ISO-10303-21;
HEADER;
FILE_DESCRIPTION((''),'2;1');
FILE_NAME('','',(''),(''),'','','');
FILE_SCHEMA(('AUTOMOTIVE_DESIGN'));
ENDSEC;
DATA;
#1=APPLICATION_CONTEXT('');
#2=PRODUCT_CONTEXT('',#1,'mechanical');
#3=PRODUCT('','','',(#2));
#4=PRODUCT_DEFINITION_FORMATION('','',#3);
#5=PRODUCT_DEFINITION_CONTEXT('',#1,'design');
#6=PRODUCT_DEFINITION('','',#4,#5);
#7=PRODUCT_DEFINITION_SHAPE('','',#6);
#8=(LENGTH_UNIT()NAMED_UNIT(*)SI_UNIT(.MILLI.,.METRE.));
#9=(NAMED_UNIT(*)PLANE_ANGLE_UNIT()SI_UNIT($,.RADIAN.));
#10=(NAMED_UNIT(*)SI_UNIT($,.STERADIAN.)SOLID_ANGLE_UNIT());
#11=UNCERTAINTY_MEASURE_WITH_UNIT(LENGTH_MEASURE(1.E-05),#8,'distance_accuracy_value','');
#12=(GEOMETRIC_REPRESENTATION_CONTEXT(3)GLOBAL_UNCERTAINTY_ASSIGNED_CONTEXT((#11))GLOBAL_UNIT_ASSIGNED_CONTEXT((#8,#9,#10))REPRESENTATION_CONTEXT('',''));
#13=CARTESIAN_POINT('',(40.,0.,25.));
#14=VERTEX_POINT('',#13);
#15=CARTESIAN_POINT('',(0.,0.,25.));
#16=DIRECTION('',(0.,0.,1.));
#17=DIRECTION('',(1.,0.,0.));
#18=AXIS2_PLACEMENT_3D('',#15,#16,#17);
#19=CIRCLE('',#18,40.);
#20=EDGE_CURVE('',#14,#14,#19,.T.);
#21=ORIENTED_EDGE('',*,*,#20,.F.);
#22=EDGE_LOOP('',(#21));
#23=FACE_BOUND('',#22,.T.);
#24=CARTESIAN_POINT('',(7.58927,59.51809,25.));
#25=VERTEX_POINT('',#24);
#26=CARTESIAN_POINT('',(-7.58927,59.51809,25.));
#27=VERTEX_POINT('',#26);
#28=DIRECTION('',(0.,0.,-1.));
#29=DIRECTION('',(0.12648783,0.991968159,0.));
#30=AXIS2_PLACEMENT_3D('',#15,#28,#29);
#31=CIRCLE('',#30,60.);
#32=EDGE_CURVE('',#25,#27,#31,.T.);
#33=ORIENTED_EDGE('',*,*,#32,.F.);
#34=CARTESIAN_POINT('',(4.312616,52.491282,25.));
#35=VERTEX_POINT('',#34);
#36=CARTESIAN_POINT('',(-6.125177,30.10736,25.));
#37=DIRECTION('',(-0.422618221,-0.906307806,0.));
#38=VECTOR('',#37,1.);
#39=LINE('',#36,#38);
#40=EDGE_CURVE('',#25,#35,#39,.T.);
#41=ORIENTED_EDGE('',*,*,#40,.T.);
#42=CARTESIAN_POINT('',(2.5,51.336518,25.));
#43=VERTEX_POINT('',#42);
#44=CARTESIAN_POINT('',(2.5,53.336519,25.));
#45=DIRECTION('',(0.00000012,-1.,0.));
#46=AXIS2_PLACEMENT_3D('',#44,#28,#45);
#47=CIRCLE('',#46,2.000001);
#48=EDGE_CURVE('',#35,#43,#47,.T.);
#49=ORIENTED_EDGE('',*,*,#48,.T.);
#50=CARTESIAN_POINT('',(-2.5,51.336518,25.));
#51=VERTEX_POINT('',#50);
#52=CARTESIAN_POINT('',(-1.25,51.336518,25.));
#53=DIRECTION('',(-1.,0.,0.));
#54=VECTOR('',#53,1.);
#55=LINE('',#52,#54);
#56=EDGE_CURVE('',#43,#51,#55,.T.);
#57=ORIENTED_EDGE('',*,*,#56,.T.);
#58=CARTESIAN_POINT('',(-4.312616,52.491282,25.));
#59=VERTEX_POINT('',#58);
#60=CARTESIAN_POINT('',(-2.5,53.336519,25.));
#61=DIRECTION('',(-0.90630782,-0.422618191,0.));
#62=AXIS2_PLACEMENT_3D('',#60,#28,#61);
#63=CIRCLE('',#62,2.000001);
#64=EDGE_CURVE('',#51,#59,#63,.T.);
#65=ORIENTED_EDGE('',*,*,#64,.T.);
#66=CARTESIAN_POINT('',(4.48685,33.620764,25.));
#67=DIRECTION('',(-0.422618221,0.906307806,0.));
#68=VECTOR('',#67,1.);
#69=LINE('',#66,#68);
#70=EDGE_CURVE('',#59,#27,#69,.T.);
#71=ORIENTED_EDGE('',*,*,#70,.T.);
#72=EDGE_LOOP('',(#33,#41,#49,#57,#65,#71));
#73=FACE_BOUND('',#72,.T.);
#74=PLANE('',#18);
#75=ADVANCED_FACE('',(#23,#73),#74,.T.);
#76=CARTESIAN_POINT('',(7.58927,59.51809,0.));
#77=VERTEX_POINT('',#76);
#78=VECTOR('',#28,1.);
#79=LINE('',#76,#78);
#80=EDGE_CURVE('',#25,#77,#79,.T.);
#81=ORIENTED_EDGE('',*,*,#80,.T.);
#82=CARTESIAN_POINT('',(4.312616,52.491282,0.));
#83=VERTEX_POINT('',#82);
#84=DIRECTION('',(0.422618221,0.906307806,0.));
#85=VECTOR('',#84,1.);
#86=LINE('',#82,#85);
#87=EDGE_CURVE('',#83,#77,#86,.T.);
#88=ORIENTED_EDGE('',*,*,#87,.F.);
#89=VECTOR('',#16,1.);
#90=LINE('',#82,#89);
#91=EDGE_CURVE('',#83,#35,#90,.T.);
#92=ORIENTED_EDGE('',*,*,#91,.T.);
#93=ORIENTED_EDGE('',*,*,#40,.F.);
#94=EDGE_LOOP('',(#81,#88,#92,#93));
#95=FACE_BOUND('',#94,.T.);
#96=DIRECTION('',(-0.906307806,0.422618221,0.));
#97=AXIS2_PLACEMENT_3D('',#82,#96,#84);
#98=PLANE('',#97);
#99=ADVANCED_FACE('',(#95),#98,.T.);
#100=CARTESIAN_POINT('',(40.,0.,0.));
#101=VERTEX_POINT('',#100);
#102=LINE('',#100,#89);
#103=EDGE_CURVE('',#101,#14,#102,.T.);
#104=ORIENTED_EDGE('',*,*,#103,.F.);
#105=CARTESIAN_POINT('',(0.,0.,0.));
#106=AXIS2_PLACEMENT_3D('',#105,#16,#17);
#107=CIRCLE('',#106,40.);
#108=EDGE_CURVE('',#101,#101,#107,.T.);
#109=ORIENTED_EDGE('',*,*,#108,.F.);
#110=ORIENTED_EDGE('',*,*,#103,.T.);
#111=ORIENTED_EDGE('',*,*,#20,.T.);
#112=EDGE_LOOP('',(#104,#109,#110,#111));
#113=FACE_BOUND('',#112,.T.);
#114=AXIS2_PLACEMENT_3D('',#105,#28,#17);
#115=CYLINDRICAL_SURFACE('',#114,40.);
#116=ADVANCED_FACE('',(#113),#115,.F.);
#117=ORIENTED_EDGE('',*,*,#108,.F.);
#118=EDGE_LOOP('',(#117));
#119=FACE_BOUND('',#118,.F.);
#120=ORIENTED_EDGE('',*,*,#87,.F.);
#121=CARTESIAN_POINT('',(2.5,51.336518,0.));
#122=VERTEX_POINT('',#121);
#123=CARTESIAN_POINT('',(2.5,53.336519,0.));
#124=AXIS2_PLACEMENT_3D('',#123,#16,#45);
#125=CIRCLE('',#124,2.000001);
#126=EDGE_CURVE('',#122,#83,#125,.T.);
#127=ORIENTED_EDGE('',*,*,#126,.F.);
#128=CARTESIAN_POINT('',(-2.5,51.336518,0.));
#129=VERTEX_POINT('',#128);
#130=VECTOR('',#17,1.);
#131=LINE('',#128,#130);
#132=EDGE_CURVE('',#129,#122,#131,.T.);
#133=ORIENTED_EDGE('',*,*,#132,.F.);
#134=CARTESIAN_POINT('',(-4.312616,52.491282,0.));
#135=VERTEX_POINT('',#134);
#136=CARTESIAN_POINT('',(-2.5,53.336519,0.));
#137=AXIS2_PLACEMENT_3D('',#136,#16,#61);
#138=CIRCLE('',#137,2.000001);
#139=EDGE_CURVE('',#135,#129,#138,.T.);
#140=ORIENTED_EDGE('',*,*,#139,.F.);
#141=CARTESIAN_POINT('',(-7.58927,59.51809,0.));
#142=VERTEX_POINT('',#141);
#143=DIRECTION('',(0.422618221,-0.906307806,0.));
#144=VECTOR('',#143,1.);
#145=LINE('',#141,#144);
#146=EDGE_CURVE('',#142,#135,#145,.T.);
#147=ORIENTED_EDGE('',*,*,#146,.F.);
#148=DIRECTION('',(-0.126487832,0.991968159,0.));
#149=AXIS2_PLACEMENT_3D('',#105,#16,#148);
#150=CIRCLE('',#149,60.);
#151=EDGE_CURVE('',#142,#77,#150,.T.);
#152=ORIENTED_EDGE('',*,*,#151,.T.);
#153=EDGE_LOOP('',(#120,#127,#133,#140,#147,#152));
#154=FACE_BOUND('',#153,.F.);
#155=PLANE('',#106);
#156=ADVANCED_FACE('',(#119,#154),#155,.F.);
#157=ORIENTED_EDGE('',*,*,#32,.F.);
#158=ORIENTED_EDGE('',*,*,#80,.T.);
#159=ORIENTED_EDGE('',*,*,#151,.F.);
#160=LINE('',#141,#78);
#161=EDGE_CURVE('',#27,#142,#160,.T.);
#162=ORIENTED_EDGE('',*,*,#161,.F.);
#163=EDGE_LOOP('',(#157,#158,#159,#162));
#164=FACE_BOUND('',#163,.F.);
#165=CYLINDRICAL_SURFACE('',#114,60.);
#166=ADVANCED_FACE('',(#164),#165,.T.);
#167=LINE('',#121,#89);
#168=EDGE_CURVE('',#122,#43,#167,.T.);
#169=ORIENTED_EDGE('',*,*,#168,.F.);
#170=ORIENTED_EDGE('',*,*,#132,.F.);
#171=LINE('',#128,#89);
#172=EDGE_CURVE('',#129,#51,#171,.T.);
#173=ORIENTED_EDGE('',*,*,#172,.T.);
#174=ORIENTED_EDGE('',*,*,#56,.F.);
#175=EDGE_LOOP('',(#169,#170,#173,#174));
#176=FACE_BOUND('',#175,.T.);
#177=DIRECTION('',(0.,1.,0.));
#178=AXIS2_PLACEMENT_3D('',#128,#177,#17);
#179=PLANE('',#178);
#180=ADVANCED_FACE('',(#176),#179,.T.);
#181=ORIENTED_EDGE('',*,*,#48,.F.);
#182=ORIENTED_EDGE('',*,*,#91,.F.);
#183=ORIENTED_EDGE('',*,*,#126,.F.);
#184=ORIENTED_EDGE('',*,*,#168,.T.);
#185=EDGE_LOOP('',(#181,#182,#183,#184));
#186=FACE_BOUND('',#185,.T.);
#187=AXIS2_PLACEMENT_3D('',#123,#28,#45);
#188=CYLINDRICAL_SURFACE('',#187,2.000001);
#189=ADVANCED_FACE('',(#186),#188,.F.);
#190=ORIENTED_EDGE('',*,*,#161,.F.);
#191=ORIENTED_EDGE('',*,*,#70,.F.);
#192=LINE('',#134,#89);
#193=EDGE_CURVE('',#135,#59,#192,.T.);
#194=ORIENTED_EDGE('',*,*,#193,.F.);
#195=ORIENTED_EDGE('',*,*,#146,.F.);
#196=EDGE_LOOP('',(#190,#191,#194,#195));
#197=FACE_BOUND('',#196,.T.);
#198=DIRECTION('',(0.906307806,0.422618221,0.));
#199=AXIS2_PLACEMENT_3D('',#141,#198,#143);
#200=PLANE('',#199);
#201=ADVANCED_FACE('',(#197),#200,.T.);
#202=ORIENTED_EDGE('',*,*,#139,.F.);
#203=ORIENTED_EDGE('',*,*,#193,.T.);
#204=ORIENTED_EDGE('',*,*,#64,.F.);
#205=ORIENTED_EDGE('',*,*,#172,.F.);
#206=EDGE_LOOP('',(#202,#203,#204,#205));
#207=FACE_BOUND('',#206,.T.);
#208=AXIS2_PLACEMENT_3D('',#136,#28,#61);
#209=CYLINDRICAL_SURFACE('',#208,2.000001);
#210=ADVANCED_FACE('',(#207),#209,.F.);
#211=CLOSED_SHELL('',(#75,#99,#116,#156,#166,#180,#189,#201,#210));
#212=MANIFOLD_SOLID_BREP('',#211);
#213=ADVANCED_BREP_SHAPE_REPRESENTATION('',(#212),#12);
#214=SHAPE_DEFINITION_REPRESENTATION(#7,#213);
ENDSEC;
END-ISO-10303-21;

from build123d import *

# Parameters (mm, degrees)
F0_R     = 60
F0_R_2   = 40
F1_DEPTH = 25
F4_DEPTH = 25.001


with BuildPart() as f1:
    # F0 (on Top) → F1 (new body)
    with BuildSketch(Plane.XY):
        Circle(F0_R)
        Circle(F0_R_2, mode=Mode.SUBTRACT)
    extrude(amount=F1_DEPTH)

    # F3 (on Top) + F2 (on face) → F4 (cut, through all)
    with BuildSketch(Plane.XY):
        with BuildLine():
            ThreePointArc((7.58927, 59.51809), (0, 60.215254), (-7.58927, 59.51809))
            Line((-7.58927, 59.51809), (-4.312616, 52.491282))
            ThreePointArc((-4.312616, 52.491282), (-3.574599, 51.649735), (-2.5, 51.336518))
            Line((-2.5, 51.336518), (2.5, 51.336518))
            ThreePointArc((2.5, 51.336518), (3.574599, 51.649735), (4.312616, 52.491282))
            Line((4.312616, 52.491282), (7.58927, 59.51809))
        make_face()
    with BuildSketch(Plane(origin=(0, 0, 0), x_dir=(1, 0, 0), z_dir=(0, 0, -1))):
        with BuildLine():
            Line((-3.065543, -69.518532), (0, -60))
            ThreePointArc((0, -60), (-11.359106, -58.914945), (-22.307369, -55.699024))
            Line((-22.307369, -55.699024), (-22.307369, -65.699024))
            ThreePointArc((-22.307369, -65.699024), (-14.254384, -75.507649), (-3.065543, -69.518532))
        make_face()
    extrude(amount=F4_DEPTH, mode=Mode.SUBTRACT)


solid = f1.part
